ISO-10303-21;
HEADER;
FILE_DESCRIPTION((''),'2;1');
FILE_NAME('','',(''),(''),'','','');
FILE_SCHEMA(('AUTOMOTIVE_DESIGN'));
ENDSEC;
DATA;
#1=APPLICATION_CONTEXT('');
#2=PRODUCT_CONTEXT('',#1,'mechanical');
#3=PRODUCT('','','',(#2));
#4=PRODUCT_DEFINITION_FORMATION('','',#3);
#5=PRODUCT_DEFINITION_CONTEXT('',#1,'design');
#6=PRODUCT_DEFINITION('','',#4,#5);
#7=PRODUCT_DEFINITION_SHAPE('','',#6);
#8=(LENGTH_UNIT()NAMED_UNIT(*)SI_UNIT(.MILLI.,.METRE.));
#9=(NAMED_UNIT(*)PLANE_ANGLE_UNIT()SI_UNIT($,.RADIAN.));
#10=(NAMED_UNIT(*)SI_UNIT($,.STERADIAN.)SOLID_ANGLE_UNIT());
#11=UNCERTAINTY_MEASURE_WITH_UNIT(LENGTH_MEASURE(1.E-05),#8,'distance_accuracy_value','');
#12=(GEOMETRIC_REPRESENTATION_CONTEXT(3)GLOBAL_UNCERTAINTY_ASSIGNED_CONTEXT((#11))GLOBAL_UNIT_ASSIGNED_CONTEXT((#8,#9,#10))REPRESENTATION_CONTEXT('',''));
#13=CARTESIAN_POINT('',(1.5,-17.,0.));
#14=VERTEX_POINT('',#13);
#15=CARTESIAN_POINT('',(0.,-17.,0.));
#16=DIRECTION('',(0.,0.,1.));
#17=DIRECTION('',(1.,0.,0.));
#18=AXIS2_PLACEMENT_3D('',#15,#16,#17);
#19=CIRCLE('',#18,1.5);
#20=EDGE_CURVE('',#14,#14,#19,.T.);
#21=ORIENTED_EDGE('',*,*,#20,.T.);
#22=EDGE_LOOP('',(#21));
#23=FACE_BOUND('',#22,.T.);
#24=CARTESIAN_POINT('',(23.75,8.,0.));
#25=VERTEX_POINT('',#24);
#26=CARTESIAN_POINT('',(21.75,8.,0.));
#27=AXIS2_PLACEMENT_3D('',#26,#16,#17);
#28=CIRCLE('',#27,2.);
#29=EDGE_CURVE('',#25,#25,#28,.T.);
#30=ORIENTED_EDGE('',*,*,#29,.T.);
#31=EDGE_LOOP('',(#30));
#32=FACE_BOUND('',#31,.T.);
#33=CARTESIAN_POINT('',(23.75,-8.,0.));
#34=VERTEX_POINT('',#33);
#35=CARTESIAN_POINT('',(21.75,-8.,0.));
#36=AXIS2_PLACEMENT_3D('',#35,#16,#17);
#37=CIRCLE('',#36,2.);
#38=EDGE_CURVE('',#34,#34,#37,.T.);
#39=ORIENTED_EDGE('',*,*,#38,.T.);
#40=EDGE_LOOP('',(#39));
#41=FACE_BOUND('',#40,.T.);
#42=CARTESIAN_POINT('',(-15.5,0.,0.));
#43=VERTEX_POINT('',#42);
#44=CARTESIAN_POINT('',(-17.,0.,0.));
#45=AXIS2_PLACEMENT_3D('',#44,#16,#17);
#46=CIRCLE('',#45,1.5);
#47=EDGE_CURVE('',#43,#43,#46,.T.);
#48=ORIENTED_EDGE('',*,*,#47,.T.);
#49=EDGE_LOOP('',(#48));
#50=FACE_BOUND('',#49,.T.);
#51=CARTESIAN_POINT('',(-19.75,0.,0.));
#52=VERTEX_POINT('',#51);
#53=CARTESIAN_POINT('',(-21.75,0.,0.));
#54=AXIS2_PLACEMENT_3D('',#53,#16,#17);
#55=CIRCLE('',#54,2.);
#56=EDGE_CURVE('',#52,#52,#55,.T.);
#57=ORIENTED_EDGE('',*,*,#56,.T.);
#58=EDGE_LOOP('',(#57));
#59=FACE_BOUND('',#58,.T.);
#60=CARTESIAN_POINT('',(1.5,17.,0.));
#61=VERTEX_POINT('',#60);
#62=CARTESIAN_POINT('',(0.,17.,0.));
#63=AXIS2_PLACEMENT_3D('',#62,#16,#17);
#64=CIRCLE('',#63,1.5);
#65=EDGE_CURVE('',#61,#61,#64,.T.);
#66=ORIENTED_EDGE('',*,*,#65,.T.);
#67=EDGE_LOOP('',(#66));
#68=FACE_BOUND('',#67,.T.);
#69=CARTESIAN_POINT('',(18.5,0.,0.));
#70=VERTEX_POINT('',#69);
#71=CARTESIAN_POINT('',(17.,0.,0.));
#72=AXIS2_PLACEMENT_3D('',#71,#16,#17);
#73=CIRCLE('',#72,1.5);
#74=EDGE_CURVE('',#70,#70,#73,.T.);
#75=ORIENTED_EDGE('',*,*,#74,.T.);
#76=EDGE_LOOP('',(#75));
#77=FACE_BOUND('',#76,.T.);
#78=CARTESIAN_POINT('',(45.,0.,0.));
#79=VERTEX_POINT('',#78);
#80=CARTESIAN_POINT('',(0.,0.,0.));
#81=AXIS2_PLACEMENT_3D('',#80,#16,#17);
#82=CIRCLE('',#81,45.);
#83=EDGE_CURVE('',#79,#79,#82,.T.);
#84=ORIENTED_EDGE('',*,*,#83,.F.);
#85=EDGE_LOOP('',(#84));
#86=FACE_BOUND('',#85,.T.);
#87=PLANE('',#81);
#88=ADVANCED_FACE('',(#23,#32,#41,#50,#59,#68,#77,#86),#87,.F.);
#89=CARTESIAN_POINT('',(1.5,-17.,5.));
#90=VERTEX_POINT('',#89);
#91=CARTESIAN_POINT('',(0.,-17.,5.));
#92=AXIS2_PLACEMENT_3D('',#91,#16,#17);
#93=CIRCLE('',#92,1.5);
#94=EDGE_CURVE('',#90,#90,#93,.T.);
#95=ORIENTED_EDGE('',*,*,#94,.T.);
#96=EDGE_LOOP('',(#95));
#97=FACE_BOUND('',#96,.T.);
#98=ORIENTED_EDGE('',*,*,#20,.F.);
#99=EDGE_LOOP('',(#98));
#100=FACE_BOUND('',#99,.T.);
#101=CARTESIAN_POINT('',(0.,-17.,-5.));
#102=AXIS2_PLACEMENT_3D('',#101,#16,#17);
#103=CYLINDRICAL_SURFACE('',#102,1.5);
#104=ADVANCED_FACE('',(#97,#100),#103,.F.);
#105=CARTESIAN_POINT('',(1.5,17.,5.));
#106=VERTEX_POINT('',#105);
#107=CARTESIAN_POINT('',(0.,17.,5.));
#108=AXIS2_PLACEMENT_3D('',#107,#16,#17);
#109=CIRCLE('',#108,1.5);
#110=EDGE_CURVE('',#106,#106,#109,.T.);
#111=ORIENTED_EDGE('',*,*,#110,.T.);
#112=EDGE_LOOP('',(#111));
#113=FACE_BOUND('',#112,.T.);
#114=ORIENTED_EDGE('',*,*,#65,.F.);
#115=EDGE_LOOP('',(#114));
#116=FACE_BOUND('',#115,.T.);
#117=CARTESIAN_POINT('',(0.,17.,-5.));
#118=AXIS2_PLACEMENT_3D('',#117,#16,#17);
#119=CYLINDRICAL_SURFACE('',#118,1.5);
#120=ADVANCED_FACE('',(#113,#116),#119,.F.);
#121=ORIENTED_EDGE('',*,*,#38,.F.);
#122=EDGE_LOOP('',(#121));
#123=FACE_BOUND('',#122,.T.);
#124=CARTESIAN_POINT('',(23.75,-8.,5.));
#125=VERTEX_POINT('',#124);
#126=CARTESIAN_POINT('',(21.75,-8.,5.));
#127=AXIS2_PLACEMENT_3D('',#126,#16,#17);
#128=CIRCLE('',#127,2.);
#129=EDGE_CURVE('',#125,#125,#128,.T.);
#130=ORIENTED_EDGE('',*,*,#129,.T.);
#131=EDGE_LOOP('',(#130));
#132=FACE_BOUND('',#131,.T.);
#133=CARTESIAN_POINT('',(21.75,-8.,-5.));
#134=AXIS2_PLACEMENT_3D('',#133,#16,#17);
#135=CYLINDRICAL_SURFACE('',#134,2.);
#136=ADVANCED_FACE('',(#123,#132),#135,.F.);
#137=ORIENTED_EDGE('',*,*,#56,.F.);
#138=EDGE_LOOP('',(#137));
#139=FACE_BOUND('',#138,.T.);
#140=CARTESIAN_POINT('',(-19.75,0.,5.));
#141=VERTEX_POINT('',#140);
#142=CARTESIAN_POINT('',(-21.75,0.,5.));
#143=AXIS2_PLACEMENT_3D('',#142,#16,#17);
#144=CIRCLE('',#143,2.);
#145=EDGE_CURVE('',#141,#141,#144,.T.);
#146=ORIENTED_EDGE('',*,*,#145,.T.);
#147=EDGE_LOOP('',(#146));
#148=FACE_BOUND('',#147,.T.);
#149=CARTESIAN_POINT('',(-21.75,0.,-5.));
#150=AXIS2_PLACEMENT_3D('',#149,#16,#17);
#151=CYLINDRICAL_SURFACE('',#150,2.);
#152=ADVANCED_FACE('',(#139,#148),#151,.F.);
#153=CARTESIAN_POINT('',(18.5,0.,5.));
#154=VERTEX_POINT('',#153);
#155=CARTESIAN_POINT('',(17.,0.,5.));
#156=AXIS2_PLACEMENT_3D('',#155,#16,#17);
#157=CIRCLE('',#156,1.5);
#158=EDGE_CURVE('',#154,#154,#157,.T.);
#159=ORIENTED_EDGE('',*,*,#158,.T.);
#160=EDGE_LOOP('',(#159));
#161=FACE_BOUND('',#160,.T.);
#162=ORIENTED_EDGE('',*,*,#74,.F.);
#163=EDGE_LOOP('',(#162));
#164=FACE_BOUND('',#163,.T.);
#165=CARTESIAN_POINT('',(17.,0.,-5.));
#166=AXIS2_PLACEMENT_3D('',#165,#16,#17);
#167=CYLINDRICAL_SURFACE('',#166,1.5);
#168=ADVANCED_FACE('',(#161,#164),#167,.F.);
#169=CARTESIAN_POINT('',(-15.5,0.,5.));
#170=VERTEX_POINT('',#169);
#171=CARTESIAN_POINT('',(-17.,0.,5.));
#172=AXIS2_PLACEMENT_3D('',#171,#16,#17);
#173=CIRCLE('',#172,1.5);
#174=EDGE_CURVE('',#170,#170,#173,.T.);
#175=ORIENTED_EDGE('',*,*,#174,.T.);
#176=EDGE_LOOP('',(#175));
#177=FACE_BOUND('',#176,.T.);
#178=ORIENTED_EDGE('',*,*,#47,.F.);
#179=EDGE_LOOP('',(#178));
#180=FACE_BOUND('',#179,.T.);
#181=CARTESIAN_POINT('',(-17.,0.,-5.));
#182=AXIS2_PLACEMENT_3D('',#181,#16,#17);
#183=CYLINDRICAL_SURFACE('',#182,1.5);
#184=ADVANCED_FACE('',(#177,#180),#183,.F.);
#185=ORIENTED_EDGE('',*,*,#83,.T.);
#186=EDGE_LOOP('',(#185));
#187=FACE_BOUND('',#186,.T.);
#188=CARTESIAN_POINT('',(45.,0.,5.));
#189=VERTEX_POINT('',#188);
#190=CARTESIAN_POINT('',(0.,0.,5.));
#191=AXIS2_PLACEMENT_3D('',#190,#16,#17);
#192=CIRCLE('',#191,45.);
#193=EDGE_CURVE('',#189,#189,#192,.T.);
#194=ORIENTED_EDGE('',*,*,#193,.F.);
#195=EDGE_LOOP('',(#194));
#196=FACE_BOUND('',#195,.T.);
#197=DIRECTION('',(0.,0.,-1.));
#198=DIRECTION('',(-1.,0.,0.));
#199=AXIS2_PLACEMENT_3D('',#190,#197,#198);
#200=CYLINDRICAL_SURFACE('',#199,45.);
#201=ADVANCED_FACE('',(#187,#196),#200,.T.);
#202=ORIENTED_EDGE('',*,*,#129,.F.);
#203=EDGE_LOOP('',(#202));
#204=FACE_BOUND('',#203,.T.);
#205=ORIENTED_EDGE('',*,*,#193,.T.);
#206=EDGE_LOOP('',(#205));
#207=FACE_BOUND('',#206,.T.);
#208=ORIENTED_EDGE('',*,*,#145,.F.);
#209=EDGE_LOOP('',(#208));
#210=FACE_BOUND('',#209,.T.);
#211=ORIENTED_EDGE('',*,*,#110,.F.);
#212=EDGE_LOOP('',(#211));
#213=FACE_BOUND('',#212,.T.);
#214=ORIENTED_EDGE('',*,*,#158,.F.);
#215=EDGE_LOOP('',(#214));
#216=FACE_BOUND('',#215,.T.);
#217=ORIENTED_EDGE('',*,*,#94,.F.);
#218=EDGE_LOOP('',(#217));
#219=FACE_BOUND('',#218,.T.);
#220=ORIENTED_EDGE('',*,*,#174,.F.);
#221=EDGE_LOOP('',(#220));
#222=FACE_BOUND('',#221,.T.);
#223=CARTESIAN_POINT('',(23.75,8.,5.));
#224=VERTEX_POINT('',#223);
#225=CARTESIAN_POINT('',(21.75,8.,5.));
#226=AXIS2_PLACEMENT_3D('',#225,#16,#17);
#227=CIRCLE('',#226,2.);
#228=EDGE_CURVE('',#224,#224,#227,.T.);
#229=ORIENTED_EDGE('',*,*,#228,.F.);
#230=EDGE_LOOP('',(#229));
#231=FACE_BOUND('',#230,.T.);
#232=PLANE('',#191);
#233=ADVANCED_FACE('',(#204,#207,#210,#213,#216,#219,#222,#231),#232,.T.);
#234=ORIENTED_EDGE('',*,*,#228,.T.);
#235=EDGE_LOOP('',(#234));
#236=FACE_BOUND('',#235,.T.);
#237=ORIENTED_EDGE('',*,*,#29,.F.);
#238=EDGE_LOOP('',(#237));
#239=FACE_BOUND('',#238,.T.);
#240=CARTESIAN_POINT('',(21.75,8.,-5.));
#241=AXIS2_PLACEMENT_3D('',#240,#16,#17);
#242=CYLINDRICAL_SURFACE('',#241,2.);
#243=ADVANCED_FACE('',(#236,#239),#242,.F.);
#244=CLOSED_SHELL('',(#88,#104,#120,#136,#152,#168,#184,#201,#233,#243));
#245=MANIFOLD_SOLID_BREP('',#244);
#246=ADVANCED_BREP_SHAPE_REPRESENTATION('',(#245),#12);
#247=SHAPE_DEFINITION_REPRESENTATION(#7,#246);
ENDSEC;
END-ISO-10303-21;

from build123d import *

# Parameters (mm, degrees)
SKETCH1_R           = 45
BOSS_EXTRUDE1_DEPTH = 5
SKETCH3_R           = 2
SKETCH3_R_2         = 1.5
CUT_EXTRUDE1_DEPTH  = 10


with BuildPart() as part:
    # Sketch1 → Boss-Extrude1 (new body)
    with BuildSketch(Plane.XY):
        Circle(SKETCH1_R)
    extrude(amount=BOSS_EXTRUDE1_DEPTH)

    # Sketch3 → Cut-Extrude1 (cut)
    with BuildSketch(Plane.XY.offset(5)):
        with Locations((-21.75, 0)):
            Circle(SKETCH3_R)
        with Locations((21.75, 8)):
            Circle(SKETCH3_R)
        with Locations((21.75, -8)):
            Circle(SKETCH3_R)
        with Locations((0, 17)):
            Circle(SKETCH3_R_2)
        with Locations((17, 0)):
            Circle(SKETCH3_R_2)
        with Locations((0, -17)):
            Circle(SKETCH3_R_2)
        with Locations((-17, 0)):
            Circle(SKETCH3_R_2)
    extrude(amount=-CUT_EXTRUDE1_DEPTH, mode=Mode.SUBTRACT)


solid = part.part
